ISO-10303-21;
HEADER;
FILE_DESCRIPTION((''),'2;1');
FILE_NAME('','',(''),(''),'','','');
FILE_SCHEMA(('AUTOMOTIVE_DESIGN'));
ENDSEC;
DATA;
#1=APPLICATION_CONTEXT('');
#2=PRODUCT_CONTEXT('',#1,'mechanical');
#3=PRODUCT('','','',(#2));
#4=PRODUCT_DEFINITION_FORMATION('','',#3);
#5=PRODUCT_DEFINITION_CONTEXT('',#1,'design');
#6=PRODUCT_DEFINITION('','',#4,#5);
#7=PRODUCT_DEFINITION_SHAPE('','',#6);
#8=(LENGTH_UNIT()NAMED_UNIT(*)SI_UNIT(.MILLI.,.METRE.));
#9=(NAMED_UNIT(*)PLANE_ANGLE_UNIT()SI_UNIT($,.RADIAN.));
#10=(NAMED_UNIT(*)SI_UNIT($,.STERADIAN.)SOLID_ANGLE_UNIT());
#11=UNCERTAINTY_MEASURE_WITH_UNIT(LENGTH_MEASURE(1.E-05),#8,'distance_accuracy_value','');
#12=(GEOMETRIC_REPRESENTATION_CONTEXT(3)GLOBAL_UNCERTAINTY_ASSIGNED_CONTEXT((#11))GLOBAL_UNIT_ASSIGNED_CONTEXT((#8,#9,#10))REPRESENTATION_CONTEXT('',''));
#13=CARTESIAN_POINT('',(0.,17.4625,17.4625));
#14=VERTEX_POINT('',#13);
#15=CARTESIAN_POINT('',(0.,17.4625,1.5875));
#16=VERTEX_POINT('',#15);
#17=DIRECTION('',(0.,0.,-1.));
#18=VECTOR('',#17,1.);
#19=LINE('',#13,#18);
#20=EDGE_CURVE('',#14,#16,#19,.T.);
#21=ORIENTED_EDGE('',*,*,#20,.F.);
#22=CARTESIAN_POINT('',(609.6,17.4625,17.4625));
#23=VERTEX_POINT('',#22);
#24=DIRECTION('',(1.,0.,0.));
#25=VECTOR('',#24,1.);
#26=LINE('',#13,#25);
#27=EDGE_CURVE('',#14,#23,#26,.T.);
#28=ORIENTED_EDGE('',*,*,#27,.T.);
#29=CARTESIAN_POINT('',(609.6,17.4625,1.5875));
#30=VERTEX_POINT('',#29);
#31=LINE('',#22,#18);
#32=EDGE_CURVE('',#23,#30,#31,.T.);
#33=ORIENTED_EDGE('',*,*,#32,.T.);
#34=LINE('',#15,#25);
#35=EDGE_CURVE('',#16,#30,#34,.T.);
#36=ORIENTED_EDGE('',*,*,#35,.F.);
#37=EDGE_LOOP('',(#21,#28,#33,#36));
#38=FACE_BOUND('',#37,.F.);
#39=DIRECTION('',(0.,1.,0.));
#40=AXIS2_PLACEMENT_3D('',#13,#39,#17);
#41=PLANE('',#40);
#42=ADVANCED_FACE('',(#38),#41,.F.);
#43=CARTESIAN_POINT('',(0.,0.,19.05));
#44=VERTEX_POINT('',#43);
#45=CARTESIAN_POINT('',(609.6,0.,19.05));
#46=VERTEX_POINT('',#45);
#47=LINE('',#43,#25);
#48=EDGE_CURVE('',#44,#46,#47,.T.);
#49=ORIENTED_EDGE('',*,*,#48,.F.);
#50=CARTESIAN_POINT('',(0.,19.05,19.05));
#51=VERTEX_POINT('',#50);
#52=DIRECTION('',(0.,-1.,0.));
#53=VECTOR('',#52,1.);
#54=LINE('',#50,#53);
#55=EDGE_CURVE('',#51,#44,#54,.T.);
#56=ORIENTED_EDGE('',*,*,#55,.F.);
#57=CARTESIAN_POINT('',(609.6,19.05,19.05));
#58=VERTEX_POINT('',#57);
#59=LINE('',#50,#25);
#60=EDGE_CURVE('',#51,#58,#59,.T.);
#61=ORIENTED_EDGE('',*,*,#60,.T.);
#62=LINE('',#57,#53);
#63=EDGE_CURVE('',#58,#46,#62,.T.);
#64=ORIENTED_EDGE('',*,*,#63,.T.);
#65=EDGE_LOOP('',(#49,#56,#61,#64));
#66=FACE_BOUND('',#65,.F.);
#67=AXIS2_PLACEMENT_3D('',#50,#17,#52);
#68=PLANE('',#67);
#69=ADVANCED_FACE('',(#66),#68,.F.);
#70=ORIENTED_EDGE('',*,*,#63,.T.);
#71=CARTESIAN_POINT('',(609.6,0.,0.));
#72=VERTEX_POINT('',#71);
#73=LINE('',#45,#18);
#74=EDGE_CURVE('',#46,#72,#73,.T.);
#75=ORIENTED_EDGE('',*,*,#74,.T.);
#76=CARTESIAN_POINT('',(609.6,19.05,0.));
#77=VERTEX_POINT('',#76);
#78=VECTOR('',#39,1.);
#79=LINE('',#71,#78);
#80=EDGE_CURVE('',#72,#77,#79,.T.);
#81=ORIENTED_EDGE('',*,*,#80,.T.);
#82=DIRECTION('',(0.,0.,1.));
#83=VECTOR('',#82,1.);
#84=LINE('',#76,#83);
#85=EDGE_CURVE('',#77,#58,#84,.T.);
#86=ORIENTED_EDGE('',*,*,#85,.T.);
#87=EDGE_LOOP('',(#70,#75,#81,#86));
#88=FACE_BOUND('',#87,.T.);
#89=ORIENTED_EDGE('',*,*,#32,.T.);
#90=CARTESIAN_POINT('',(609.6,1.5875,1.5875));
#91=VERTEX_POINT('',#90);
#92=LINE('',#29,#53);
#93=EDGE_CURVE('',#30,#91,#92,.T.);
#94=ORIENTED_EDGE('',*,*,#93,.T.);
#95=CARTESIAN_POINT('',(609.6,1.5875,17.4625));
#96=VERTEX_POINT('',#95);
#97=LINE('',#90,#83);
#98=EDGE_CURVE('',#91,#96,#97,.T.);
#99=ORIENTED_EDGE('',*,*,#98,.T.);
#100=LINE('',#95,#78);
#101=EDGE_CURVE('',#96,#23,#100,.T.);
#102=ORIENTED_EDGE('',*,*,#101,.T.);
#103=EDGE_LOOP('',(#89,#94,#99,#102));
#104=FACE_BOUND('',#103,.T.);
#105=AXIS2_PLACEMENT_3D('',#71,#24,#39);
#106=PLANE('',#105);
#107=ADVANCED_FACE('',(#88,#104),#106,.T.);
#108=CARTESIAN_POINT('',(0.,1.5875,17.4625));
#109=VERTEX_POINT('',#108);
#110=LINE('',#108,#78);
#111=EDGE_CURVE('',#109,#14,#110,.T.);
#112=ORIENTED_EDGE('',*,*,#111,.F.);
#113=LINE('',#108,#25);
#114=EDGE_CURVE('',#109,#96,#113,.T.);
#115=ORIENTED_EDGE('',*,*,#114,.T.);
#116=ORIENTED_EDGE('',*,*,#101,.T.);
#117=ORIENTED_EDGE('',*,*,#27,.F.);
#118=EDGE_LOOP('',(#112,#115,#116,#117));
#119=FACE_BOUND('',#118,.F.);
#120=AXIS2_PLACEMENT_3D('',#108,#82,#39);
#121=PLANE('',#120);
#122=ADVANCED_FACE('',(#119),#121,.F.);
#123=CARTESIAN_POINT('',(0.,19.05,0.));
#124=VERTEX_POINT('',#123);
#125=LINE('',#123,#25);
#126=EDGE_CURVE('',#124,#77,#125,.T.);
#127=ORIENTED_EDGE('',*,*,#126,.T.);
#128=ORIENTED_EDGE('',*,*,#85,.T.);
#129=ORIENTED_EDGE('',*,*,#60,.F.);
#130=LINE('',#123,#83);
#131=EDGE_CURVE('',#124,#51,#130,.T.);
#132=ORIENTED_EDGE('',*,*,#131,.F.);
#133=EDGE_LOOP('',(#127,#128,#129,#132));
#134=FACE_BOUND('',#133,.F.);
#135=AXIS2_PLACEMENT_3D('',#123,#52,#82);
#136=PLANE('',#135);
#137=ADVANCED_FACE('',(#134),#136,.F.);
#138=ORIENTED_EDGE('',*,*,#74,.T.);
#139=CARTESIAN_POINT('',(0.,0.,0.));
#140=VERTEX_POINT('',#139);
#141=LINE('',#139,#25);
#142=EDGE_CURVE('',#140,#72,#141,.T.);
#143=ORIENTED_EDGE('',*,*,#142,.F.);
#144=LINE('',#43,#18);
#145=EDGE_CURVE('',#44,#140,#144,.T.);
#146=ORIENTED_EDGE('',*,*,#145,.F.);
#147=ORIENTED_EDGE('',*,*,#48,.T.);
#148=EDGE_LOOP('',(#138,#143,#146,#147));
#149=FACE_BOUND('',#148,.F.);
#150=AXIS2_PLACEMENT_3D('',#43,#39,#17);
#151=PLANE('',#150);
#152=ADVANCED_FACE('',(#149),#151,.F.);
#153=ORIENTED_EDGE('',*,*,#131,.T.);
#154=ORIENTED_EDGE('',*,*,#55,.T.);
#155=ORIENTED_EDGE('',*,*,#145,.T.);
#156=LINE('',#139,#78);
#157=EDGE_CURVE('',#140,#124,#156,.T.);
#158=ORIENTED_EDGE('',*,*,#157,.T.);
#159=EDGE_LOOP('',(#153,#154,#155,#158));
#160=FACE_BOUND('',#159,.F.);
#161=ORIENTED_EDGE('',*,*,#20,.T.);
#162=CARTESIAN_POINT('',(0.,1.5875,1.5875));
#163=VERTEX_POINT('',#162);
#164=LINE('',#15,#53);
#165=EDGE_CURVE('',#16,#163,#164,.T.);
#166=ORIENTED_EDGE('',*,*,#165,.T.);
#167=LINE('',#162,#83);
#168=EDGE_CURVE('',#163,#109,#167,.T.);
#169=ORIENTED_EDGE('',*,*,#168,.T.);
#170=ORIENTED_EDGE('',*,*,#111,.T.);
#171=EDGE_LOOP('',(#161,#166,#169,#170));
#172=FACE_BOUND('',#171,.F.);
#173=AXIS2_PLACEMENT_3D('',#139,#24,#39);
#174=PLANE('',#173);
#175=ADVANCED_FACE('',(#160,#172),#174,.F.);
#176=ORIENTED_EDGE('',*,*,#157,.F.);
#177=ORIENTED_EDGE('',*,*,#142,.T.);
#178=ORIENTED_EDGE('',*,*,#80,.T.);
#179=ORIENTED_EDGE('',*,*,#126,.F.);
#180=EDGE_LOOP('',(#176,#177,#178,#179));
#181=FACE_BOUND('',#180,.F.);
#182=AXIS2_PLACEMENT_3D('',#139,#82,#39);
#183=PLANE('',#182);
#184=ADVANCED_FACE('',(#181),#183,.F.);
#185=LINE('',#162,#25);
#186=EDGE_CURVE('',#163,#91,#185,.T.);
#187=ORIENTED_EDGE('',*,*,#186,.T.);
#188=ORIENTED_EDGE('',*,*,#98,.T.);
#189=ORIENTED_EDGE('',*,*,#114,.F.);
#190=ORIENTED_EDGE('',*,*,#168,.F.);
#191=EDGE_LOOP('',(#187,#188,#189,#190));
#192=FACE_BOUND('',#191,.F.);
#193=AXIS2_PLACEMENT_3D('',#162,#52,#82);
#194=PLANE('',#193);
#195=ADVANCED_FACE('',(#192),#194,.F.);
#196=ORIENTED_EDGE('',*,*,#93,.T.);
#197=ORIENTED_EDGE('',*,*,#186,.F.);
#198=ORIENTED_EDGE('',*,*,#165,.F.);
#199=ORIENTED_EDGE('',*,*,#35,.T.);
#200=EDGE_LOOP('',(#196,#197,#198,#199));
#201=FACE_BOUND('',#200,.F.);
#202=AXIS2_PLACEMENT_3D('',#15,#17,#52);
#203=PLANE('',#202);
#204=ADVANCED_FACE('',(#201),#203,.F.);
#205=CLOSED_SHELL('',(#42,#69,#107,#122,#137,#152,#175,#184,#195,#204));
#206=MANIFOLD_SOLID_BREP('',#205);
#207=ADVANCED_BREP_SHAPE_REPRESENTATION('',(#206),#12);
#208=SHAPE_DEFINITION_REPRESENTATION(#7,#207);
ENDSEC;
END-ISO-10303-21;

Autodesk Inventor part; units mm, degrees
ref_plane "YZ Plane" through (0, 0, 0) normal (1, 0, 0) x (0, 1, 0)
ref_plane "XZ Plane" through (0, 0, 0) normal (0, 1, 0) x (-1, 0, 0)
ref_plane "XY Plane" through (0, 0, 0) normal (0, 0, 1) x (1, 0, 0)
sketch "Sketch1" plane through (0, 0, 0) normal (1, 0, 0) x (0, 1, 0)
  line L0 (0, 0) -> (19.05, 0)
  line L1 (19.05, 0) -> (19.05, 19.05)
  line L2 (19.05, 19.05) -> (0, 19.05)
  line L3 (0, 19.05) -> (0, 0)
  line L4 (1.5875, 17.4625) -> (17.4625, 17.4625)
  line L5 (17.4625, 17.4625) -> (17.4625, 1.5875)
  line L6 (17.4625, 1.5875) -> (1.5875, 1.5875)
  line L7 (1.5875, 1.5875) -> (1.5875, 17.4625)
  dimension "d0" = 19.05
  dimension "d1" = 19.05
  dimension "d2" = 1.5875
  dimension "d3" = 1.5875
  dimension "d4" = 1.5875
  dimension "d5" = 1.5875
extrude "Extrusion1" add sketch "Sketch1" along normal blind 609.6
equation "\"d0\" = sqAlumWidth"
equation "\"d1\" = sqAlumWidth"
equation "\"d2\" = sqAlumWallThickness"
equation "\"d3\" = sqAlumWallThickness"
equation "\"d4\" = sqAlumWallThickness"
equation "\"d5\" = sqAlumWallThickness"
equation "\"sqAlumWidth\" = 19.05"
equation "\"sqAlumWallThickness\" = 1.5875"
properties part number "arm-horizontal"
